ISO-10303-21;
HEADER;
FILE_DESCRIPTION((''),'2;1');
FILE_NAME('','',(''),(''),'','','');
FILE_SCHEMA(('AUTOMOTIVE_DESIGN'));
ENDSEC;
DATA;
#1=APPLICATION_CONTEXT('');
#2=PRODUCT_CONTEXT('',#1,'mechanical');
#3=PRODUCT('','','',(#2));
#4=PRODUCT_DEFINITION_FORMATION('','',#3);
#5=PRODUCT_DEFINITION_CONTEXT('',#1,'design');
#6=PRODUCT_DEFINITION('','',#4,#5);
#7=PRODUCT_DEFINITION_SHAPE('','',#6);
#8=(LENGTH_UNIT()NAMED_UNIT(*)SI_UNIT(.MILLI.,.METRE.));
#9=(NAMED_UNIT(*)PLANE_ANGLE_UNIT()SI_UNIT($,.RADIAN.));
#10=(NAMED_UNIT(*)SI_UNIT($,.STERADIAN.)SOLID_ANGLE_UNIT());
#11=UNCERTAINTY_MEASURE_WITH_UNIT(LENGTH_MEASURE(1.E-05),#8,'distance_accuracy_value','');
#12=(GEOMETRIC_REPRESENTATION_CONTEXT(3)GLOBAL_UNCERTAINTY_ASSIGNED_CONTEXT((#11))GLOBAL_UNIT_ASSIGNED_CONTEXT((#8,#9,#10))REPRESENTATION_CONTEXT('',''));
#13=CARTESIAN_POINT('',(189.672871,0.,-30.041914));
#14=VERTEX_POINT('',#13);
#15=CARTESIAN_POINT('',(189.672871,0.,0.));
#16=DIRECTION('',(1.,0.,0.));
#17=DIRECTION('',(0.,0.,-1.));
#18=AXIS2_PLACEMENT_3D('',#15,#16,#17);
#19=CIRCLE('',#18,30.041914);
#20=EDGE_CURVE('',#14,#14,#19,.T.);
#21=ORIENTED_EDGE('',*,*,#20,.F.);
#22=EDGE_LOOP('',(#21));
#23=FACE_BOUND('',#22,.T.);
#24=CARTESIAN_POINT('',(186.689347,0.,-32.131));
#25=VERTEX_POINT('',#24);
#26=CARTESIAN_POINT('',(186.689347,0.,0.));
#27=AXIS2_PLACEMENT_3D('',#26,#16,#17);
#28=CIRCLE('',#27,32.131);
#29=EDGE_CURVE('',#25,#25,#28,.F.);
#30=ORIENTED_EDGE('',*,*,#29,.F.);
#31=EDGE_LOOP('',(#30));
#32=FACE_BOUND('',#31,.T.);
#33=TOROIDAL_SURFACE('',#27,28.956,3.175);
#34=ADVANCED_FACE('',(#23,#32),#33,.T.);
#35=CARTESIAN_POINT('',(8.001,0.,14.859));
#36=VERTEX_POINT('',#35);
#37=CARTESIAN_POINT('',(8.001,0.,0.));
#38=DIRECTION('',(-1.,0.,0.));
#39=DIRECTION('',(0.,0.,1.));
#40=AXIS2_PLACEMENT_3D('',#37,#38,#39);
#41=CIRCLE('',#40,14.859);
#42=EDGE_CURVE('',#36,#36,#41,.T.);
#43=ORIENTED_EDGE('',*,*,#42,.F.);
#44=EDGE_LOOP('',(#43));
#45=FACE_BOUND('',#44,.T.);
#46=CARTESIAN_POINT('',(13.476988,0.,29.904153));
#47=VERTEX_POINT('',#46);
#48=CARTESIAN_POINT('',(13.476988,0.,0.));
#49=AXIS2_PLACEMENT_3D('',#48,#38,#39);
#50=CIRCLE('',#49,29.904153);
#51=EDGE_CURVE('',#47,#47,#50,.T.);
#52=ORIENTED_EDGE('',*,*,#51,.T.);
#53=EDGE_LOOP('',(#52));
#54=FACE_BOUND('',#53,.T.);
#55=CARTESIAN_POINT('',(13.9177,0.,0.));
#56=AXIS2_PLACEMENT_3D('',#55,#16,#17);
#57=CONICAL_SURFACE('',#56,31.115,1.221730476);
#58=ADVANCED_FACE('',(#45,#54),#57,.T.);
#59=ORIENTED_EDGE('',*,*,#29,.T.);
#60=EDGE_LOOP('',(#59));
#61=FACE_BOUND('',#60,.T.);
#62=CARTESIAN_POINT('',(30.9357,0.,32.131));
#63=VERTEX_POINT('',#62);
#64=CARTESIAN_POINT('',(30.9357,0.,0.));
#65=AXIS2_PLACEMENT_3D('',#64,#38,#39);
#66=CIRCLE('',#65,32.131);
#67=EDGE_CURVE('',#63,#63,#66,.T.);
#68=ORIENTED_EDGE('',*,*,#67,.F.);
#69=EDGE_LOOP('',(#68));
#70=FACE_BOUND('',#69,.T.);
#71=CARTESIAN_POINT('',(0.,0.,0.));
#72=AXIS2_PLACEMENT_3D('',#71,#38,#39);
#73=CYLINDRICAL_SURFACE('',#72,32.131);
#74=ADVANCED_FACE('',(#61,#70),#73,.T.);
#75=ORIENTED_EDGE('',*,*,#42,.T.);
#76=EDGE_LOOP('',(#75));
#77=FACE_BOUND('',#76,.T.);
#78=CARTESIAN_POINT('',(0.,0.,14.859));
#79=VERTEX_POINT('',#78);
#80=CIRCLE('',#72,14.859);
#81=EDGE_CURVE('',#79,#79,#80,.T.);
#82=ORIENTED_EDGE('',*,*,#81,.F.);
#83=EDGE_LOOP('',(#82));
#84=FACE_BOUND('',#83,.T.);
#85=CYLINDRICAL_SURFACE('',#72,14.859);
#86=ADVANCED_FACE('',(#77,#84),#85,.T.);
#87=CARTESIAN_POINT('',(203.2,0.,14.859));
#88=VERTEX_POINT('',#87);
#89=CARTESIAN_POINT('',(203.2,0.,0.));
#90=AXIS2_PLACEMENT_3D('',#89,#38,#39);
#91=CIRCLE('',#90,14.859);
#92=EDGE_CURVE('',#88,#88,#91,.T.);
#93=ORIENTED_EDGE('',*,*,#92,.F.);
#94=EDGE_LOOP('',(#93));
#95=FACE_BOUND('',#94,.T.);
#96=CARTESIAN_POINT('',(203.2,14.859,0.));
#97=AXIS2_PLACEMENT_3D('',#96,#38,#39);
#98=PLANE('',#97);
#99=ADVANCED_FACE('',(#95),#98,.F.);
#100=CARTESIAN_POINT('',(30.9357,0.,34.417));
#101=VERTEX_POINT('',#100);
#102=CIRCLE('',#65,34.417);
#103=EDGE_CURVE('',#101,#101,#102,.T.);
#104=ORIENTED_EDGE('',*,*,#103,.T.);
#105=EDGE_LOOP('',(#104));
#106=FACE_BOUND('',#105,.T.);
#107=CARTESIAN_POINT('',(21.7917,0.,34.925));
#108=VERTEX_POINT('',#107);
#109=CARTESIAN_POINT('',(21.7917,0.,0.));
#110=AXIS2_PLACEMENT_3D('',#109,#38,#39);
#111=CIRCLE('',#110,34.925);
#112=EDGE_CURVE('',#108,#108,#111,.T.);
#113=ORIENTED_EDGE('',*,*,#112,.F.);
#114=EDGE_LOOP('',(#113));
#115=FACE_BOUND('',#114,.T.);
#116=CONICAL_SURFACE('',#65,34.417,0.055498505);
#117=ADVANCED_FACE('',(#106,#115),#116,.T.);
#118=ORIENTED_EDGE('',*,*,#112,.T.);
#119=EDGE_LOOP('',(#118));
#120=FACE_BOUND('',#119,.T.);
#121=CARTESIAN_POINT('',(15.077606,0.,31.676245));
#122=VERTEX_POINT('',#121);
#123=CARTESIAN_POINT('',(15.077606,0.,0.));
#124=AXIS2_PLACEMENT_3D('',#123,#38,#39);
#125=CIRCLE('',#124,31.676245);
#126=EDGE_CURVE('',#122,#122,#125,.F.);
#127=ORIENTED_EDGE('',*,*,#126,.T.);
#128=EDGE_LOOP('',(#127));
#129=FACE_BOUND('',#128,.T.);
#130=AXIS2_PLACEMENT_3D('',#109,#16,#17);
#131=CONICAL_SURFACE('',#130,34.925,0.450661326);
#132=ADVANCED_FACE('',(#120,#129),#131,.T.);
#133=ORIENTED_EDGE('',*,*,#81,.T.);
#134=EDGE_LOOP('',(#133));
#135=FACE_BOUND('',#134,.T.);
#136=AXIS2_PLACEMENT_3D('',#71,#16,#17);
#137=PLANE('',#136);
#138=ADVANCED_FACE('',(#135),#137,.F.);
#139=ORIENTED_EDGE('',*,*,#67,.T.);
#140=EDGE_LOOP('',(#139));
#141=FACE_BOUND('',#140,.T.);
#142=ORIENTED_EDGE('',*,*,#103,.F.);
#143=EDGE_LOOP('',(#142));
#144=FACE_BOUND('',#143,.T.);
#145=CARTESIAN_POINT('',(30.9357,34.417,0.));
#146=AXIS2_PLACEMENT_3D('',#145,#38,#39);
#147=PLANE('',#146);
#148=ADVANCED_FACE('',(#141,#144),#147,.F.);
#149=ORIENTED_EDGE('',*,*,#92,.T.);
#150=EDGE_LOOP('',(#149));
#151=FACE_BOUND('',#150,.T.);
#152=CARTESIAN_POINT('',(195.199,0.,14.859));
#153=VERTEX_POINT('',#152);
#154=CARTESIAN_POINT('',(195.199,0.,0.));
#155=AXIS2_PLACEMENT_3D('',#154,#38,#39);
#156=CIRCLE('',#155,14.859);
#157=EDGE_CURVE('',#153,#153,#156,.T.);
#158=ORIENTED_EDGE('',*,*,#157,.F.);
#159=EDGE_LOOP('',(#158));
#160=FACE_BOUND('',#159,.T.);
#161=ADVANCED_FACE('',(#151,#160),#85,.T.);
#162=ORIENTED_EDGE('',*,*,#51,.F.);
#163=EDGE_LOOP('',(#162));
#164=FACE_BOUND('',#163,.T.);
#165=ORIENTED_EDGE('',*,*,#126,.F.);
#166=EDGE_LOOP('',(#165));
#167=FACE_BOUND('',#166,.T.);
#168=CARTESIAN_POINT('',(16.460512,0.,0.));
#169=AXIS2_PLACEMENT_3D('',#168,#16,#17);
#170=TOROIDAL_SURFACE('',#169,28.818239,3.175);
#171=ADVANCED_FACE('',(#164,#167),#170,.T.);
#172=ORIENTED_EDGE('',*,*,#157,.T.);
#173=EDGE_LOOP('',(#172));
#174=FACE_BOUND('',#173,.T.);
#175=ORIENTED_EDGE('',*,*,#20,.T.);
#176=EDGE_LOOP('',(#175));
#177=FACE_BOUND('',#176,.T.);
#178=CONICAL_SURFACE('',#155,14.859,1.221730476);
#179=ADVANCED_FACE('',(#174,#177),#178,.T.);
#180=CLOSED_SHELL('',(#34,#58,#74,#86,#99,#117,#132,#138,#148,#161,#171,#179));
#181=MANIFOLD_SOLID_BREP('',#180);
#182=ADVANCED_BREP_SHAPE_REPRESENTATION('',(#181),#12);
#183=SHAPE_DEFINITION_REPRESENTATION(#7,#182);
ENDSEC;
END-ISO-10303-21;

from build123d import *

# Parameters (mm, degrees)
FILLET1_R = 3.175


with BuildPart() as part:
    # Sketch1 → Revolve1 (revolve)
    with BuildSketch(Plane.XY, mode=Mode.PRIVATE) as revolve1_sk:
        Polygon((0, 0), (0, 14.859), (8.001, 14.859), (13.917700128, 31.115), (21.791700128, 34.925), (30.935700128, 34.417), (30.935700128, 32.131), (188.912506114, 32.131), (195.199, 14.859), (203.2, 14.859), (203.2, 0), align=None)
    revolve(revolve1_sk.sketch.rotate(Axis((0, 0, 0), (1, 0, 0)), 90), axis=Axis((0, 0, 0), (1, 0, 0)))

    # Fillet1
    fillet1_edges = [part.edges().sort_by_distance(p)[0] for p in [
        (188.912506114, 0, -32.131),
        (13.917700128, 0, -31.115),
    ]]
    fillet(fillet1_edges, radius=FILLET1_R)


solid = part.part
